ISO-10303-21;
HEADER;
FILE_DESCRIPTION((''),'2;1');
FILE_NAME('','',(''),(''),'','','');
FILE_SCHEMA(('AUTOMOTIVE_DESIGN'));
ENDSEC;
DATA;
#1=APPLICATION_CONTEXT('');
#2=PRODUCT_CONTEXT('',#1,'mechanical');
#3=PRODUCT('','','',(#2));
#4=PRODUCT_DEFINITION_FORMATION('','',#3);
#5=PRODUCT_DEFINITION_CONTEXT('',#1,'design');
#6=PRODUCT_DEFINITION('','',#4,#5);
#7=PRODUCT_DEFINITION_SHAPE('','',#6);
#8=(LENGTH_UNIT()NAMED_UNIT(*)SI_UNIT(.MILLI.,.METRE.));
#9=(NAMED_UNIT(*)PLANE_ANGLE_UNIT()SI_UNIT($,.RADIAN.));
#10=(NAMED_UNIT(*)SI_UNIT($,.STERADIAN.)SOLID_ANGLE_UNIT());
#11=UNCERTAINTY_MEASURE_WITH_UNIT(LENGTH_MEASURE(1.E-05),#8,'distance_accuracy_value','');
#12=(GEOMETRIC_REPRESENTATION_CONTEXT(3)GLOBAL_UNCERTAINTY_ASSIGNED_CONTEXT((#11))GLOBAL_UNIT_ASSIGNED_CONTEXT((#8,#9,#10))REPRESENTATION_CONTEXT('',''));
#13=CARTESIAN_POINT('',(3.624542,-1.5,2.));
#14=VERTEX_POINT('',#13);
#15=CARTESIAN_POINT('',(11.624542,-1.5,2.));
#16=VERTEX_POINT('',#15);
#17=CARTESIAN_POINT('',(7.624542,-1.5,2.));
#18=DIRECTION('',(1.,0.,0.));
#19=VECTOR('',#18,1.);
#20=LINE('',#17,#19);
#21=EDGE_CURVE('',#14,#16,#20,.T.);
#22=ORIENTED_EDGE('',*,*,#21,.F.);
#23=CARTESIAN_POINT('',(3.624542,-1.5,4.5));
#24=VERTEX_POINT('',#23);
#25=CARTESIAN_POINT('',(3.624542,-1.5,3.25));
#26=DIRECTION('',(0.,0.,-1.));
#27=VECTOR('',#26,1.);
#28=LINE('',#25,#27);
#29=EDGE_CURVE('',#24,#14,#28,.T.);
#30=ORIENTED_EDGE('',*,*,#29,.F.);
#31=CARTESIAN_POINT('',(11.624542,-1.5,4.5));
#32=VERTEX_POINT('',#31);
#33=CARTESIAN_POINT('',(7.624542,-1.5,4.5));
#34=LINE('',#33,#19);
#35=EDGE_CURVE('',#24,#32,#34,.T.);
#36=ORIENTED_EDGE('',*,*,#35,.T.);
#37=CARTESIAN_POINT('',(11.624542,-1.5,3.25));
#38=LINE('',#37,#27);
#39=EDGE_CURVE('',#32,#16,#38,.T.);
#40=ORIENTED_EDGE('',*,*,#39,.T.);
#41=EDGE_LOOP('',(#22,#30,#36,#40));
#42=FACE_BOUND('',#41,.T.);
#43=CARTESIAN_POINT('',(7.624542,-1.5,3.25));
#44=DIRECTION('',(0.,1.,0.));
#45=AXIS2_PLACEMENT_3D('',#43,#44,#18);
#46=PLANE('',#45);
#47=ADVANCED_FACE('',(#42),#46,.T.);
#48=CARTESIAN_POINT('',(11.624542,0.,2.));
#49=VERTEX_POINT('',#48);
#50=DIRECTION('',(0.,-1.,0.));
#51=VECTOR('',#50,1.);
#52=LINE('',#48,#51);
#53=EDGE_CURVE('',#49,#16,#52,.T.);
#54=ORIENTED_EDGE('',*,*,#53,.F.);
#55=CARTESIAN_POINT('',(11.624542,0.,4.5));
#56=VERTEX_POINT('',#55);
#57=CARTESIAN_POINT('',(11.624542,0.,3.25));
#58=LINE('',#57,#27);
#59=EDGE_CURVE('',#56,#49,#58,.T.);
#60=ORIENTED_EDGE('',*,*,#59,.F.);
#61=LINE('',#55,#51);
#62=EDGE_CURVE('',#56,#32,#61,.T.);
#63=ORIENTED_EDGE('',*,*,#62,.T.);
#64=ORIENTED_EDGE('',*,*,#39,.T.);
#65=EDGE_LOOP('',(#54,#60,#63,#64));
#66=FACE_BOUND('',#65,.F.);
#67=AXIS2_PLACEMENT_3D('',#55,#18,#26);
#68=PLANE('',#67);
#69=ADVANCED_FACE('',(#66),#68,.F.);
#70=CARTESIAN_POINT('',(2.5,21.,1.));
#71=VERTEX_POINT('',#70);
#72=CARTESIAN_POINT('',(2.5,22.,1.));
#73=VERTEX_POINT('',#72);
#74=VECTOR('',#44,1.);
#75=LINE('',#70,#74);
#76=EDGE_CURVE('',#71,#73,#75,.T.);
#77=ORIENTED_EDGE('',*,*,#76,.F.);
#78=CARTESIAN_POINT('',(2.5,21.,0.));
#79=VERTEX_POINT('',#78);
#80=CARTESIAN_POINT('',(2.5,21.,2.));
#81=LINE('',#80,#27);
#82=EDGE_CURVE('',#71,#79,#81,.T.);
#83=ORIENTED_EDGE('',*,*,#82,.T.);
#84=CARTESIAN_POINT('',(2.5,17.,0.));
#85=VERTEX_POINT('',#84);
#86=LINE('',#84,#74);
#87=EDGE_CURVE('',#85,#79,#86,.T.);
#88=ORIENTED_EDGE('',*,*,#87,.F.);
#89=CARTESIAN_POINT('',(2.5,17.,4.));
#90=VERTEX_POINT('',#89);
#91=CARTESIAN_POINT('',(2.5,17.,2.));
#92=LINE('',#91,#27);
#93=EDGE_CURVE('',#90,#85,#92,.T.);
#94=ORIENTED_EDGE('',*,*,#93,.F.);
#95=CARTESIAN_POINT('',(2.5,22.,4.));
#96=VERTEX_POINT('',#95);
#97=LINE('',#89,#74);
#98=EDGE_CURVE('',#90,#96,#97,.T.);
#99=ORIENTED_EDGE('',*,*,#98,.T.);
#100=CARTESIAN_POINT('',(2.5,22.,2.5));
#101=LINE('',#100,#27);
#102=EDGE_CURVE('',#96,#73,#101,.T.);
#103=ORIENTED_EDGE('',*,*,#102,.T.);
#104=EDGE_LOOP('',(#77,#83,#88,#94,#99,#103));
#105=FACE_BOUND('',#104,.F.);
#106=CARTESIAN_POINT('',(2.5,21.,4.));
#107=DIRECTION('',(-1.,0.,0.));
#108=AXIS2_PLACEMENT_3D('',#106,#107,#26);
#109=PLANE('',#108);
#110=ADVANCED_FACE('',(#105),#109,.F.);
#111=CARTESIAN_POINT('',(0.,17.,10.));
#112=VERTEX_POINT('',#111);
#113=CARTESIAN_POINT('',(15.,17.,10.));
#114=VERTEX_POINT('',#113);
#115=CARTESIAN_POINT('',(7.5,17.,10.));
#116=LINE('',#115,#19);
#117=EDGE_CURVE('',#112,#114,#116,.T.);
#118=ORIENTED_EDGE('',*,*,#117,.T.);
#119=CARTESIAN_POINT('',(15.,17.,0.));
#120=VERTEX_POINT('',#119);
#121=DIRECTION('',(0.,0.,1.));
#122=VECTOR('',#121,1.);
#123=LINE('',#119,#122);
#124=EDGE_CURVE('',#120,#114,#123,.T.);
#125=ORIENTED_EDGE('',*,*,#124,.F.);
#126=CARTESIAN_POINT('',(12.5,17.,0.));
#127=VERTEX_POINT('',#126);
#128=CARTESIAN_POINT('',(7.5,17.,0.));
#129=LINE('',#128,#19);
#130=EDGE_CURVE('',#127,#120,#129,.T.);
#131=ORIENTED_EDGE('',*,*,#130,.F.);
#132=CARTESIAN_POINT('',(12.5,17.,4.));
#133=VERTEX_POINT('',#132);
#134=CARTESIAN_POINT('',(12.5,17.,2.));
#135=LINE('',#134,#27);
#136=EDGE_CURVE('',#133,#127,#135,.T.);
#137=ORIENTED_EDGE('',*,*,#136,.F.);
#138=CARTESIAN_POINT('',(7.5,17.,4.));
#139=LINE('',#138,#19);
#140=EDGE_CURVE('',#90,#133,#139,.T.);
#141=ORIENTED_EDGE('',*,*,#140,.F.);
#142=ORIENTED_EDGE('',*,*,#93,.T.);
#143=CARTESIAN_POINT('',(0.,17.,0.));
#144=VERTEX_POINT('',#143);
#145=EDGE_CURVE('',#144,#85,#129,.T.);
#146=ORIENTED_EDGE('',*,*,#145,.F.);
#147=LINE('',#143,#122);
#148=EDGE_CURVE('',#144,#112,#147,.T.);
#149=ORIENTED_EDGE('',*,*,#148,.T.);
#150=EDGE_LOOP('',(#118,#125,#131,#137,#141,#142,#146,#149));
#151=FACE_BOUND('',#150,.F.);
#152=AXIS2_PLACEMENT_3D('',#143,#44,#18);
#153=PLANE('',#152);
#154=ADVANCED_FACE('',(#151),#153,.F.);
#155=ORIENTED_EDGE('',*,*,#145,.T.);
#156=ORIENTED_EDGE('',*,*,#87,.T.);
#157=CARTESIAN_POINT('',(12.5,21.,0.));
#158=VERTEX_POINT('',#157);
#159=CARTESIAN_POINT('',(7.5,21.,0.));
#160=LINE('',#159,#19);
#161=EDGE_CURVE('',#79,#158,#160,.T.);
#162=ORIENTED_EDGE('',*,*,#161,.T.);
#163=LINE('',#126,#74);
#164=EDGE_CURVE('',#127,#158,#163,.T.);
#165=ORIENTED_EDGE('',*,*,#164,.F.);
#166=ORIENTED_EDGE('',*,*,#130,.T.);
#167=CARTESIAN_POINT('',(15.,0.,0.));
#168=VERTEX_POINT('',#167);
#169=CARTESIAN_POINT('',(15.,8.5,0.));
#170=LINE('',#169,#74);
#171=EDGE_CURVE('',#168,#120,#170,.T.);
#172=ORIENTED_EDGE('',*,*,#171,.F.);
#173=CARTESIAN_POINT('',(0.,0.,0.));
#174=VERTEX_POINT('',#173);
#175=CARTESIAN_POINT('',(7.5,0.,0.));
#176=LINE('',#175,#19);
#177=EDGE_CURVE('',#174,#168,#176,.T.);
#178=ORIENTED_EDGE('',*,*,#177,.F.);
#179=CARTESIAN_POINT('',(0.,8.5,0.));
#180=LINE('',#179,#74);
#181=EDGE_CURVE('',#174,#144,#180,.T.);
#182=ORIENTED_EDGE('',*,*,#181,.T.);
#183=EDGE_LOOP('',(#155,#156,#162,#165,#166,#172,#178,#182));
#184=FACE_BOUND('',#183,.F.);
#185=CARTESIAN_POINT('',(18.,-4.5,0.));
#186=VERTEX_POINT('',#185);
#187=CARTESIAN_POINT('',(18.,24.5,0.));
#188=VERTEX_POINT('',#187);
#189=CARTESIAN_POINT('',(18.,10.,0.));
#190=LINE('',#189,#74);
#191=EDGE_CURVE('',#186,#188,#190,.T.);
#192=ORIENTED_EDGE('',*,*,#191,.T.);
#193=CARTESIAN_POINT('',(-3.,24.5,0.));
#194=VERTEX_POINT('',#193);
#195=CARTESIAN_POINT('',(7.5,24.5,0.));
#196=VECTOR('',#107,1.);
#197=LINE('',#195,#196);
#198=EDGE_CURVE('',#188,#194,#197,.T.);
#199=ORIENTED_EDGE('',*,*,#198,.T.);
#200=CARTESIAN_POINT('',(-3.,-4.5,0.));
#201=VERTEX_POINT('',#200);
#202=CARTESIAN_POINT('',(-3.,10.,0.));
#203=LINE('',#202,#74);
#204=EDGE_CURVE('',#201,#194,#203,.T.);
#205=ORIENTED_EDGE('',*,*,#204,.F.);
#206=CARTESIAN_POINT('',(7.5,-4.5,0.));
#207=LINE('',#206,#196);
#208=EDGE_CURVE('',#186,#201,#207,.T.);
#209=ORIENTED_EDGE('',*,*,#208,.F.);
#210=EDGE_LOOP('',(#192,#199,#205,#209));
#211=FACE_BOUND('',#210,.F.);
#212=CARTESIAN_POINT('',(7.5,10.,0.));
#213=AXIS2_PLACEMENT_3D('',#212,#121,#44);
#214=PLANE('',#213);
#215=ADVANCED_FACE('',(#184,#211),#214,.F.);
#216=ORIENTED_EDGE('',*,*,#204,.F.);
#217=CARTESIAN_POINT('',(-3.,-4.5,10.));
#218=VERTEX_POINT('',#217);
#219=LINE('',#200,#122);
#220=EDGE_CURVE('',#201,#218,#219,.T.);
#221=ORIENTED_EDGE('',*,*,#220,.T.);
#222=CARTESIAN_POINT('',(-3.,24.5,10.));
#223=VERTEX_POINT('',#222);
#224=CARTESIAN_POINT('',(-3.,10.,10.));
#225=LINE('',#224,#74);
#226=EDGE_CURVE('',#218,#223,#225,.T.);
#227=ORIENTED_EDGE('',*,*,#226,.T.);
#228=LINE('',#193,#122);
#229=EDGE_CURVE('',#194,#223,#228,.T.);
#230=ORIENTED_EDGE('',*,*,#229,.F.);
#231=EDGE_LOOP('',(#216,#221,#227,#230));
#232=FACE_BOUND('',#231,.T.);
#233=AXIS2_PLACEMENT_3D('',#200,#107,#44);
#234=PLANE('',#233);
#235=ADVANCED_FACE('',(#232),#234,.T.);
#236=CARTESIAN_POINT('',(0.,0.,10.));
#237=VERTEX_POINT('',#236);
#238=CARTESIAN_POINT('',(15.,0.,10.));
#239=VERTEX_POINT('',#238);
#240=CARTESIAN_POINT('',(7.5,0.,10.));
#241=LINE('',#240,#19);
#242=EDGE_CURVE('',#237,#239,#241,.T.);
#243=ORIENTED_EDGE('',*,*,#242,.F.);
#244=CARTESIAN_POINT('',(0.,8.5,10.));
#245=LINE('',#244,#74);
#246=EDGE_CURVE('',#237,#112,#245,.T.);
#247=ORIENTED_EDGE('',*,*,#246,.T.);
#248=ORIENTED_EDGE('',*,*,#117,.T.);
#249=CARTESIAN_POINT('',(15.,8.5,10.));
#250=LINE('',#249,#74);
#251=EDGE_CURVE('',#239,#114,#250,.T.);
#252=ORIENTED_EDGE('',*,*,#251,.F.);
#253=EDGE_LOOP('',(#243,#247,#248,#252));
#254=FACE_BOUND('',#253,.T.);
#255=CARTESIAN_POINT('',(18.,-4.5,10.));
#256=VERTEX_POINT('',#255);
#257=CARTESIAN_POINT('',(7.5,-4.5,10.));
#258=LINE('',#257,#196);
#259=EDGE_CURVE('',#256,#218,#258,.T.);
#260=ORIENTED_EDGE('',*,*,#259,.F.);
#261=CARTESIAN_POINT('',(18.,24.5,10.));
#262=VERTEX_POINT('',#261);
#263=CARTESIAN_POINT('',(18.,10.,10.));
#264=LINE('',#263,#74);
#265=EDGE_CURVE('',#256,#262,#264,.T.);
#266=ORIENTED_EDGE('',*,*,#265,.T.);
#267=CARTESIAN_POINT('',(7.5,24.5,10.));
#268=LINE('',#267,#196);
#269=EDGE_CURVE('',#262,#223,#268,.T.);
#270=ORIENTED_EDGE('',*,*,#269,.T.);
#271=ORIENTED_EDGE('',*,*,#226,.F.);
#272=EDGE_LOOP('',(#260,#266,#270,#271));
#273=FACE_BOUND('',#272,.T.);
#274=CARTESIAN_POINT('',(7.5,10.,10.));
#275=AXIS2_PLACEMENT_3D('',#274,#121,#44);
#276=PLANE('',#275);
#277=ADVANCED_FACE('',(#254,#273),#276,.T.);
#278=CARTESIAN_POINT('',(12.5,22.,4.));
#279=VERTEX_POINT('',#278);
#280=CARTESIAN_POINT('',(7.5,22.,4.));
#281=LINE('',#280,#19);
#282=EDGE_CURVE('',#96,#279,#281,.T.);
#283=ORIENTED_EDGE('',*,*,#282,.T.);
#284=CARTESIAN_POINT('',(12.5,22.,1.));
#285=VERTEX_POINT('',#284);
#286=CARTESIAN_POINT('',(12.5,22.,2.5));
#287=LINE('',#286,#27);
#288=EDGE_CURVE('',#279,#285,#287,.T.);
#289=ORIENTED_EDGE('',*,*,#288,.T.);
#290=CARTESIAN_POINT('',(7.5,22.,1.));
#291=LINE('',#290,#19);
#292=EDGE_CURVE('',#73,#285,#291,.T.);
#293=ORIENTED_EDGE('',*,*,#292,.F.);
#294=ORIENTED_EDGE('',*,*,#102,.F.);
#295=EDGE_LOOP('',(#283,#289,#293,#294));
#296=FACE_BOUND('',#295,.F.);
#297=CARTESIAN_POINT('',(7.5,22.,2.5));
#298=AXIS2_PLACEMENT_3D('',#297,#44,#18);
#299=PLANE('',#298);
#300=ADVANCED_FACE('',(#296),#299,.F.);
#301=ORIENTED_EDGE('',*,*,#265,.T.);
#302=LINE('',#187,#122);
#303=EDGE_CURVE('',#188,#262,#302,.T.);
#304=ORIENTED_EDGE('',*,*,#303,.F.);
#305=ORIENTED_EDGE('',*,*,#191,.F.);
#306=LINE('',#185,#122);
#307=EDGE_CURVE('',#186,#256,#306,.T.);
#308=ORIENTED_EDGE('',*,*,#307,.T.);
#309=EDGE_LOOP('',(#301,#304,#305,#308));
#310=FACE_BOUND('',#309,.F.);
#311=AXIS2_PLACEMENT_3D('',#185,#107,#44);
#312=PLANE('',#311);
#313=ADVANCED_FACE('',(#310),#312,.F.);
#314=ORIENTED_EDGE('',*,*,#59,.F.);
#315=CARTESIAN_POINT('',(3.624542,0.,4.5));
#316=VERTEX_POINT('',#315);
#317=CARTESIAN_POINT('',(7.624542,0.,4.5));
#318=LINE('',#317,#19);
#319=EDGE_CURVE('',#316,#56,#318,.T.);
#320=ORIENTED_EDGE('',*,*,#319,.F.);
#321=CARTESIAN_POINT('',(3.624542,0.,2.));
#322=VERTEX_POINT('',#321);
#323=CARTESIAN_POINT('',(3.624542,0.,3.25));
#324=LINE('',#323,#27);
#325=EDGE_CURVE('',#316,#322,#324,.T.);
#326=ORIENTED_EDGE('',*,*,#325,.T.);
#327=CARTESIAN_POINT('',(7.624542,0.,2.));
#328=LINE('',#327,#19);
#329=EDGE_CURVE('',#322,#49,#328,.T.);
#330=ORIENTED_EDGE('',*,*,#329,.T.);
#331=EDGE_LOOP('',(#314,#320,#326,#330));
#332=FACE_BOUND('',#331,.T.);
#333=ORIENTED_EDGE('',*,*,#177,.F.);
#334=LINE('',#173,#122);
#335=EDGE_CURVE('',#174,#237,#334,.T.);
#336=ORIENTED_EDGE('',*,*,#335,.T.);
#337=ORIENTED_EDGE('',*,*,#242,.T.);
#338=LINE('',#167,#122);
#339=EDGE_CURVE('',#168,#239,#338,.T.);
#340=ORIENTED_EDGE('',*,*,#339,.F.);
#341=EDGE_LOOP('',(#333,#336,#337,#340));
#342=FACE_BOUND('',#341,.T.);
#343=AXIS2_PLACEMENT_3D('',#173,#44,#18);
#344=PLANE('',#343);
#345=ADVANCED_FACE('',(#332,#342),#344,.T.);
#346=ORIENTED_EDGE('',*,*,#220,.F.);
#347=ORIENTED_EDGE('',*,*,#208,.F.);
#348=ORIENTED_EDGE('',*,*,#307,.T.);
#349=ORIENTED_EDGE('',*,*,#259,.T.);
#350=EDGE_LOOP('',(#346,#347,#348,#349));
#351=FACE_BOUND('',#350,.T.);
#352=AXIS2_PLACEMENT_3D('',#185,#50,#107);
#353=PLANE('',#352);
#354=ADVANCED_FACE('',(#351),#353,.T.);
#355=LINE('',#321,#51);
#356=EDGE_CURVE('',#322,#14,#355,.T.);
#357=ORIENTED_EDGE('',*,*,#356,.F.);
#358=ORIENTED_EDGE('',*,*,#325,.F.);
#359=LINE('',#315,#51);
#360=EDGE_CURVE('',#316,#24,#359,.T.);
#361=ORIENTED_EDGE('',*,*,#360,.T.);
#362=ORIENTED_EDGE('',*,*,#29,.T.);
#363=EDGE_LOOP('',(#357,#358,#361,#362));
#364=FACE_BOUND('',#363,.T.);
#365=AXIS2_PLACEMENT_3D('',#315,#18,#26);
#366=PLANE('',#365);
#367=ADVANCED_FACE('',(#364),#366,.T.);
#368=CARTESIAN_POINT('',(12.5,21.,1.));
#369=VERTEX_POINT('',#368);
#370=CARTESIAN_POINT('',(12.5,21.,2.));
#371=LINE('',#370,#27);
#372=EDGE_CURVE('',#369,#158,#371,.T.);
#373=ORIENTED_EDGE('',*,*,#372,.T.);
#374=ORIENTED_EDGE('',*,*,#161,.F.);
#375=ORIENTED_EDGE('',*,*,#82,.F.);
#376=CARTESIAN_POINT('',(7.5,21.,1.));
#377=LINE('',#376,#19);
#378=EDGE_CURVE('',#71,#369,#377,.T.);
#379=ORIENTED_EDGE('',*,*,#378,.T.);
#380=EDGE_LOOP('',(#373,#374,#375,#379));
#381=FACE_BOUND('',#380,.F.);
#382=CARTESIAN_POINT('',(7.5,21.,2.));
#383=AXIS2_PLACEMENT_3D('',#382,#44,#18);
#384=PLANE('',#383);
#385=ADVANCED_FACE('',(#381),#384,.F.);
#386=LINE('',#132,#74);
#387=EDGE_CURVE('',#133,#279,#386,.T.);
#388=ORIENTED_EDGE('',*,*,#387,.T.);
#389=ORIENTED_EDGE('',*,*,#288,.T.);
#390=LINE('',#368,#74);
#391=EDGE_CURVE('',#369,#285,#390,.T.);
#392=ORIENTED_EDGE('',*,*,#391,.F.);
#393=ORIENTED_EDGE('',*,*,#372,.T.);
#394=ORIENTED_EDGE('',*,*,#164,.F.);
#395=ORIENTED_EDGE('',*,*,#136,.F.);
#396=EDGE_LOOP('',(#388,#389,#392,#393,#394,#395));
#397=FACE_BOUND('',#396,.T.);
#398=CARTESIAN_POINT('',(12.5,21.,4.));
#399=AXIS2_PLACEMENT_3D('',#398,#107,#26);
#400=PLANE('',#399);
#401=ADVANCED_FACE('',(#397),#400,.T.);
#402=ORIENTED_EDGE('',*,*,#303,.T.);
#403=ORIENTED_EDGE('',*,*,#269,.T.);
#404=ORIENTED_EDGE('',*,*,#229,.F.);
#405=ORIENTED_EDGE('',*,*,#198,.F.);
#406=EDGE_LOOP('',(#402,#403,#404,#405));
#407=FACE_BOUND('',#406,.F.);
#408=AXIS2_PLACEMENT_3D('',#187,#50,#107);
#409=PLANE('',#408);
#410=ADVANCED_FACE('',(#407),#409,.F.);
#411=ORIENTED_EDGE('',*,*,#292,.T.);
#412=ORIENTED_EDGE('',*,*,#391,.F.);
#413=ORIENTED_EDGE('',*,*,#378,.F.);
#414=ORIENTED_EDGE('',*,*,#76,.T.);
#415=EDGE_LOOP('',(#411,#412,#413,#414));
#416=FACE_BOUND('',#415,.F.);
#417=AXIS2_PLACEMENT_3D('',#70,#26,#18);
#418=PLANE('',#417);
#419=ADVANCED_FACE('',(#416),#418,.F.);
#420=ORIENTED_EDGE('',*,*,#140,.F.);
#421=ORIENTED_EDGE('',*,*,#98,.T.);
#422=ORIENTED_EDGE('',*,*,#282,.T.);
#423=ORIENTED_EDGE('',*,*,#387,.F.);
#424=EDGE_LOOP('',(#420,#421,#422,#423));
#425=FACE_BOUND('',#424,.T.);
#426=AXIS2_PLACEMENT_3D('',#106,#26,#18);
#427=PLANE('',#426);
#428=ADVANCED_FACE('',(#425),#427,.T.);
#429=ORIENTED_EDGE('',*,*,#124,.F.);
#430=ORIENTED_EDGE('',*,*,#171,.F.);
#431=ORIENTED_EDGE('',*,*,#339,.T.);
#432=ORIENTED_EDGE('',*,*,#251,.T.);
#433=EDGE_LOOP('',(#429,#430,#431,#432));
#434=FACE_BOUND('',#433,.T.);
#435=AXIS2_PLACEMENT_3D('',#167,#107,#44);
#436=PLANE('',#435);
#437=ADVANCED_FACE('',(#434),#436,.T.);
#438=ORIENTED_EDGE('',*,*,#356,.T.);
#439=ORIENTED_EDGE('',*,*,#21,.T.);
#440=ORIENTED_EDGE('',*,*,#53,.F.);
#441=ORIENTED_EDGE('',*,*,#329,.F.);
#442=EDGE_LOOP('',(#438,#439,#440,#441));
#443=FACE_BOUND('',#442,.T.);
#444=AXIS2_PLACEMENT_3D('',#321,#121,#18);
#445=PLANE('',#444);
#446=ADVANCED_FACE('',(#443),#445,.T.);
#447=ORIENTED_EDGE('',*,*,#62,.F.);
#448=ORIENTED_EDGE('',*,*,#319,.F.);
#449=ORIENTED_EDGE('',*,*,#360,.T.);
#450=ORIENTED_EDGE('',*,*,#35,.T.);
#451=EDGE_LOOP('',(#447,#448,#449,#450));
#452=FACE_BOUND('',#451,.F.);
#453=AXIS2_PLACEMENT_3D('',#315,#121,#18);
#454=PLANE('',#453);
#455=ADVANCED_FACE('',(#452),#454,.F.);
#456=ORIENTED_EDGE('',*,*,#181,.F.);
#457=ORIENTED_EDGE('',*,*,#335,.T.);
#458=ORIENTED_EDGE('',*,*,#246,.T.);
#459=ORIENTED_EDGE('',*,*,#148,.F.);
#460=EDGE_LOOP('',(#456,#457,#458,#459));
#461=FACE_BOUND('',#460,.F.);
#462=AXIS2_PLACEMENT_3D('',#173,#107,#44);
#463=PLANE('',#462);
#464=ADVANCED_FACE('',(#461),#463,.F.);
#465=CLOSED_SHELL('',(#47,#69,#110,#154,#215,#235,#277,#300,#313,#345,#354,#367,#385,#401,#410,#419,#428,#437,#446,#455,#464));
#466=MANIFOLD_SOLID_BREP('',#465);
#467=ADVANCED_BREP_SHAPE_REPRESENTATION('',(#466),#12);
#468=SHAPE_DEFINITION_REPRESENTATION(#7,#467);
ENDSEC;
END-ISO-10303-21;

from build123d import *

# Parameters (mm, degrees)
FACE003_W        = 10
FACE003_H        = 3
EXTRUDE003_DEPTH = 1
FACE002_W        = 10
FACE002_H        = 4
EXTRUDE002_DEPTH = 4
FACE001_W        = 8
FACE001_H        = 2.5
EXTRUDE001_DEPTH = 1.5
SKETCH_W         = 15
SKETCH_H         = 17
EXTRUDE_DEPTH    = 10
FACE004_W        = 29
FACE004_H        = 21
EXTRUDE004_DEPTH = 10


with BuildPart() as extrude003:
    # Face003 → Extrude003 (new body)
    with BuildSketch(Plane(origin=(7.5, 21, 2.5), x_dir=(1, 0, 0), z_dir=(0, 1, 0))):
        Rectangle(FACE003_W, FACE003_H)
    extrude(amount=EXTRUDE003_DEPTH)


with BuildPart() as fusion001:
    # Face002 → Extrude002 (new body)
    with BuildSketch(Plane(origin=(7.5, 17, 2), x_dir=(1, 0, 0), z_dir=(0, 1, 0))):
        Rectangle(FACE002_W, FACE002_H)
    extrude(amount=EXTRUDE002_DEPTH)

    # Fusion001: union Extrude003
    add(extrude003.part)


with BuildPart() as extrude001:
    # Face001 → Extrude001 (new body)
    with BuildSketch(Plane(origin=(7.624542, 0, 3.25), x_dir=(1, 0, 0), z_dir=(0, 1, 0))):
        Rectangle(FACE001_W, FACE001_H)
    extrude(amount=-EXTRUDE001_DEPTH)


with BuildPart() as fusion002:
    # Sketch → Extrude (new body)
    with BuildSketch(Plane.XY):
        with Locations((7.5, 8.5)):
            Rectangle(SKETCH_W, SKETCH_H)
    extrude(amount=EXTRUDE_DEPTH)

    # Fusion: union Extrude001
    add(extrude001.part)

    # Fusion002: union Fusion001
    add(fusion001.part)


with BuildPart() as cut:
    # Face004 → Extrude004 (new body)
    with BuildSketch(Plane(origin=(7.5, 10, 0), x_dir=(0, 1, 0), z_dir=(0, 0, 1))):
        Rectangle(FACE004_W, FACE004_H)
    extrude(amount=EXTRUDE004_DEPTH)

    # Cut: cut Fusion002
    add(fusion002.part, mode=Mode.SUBTRACT)


solid = cut.part
